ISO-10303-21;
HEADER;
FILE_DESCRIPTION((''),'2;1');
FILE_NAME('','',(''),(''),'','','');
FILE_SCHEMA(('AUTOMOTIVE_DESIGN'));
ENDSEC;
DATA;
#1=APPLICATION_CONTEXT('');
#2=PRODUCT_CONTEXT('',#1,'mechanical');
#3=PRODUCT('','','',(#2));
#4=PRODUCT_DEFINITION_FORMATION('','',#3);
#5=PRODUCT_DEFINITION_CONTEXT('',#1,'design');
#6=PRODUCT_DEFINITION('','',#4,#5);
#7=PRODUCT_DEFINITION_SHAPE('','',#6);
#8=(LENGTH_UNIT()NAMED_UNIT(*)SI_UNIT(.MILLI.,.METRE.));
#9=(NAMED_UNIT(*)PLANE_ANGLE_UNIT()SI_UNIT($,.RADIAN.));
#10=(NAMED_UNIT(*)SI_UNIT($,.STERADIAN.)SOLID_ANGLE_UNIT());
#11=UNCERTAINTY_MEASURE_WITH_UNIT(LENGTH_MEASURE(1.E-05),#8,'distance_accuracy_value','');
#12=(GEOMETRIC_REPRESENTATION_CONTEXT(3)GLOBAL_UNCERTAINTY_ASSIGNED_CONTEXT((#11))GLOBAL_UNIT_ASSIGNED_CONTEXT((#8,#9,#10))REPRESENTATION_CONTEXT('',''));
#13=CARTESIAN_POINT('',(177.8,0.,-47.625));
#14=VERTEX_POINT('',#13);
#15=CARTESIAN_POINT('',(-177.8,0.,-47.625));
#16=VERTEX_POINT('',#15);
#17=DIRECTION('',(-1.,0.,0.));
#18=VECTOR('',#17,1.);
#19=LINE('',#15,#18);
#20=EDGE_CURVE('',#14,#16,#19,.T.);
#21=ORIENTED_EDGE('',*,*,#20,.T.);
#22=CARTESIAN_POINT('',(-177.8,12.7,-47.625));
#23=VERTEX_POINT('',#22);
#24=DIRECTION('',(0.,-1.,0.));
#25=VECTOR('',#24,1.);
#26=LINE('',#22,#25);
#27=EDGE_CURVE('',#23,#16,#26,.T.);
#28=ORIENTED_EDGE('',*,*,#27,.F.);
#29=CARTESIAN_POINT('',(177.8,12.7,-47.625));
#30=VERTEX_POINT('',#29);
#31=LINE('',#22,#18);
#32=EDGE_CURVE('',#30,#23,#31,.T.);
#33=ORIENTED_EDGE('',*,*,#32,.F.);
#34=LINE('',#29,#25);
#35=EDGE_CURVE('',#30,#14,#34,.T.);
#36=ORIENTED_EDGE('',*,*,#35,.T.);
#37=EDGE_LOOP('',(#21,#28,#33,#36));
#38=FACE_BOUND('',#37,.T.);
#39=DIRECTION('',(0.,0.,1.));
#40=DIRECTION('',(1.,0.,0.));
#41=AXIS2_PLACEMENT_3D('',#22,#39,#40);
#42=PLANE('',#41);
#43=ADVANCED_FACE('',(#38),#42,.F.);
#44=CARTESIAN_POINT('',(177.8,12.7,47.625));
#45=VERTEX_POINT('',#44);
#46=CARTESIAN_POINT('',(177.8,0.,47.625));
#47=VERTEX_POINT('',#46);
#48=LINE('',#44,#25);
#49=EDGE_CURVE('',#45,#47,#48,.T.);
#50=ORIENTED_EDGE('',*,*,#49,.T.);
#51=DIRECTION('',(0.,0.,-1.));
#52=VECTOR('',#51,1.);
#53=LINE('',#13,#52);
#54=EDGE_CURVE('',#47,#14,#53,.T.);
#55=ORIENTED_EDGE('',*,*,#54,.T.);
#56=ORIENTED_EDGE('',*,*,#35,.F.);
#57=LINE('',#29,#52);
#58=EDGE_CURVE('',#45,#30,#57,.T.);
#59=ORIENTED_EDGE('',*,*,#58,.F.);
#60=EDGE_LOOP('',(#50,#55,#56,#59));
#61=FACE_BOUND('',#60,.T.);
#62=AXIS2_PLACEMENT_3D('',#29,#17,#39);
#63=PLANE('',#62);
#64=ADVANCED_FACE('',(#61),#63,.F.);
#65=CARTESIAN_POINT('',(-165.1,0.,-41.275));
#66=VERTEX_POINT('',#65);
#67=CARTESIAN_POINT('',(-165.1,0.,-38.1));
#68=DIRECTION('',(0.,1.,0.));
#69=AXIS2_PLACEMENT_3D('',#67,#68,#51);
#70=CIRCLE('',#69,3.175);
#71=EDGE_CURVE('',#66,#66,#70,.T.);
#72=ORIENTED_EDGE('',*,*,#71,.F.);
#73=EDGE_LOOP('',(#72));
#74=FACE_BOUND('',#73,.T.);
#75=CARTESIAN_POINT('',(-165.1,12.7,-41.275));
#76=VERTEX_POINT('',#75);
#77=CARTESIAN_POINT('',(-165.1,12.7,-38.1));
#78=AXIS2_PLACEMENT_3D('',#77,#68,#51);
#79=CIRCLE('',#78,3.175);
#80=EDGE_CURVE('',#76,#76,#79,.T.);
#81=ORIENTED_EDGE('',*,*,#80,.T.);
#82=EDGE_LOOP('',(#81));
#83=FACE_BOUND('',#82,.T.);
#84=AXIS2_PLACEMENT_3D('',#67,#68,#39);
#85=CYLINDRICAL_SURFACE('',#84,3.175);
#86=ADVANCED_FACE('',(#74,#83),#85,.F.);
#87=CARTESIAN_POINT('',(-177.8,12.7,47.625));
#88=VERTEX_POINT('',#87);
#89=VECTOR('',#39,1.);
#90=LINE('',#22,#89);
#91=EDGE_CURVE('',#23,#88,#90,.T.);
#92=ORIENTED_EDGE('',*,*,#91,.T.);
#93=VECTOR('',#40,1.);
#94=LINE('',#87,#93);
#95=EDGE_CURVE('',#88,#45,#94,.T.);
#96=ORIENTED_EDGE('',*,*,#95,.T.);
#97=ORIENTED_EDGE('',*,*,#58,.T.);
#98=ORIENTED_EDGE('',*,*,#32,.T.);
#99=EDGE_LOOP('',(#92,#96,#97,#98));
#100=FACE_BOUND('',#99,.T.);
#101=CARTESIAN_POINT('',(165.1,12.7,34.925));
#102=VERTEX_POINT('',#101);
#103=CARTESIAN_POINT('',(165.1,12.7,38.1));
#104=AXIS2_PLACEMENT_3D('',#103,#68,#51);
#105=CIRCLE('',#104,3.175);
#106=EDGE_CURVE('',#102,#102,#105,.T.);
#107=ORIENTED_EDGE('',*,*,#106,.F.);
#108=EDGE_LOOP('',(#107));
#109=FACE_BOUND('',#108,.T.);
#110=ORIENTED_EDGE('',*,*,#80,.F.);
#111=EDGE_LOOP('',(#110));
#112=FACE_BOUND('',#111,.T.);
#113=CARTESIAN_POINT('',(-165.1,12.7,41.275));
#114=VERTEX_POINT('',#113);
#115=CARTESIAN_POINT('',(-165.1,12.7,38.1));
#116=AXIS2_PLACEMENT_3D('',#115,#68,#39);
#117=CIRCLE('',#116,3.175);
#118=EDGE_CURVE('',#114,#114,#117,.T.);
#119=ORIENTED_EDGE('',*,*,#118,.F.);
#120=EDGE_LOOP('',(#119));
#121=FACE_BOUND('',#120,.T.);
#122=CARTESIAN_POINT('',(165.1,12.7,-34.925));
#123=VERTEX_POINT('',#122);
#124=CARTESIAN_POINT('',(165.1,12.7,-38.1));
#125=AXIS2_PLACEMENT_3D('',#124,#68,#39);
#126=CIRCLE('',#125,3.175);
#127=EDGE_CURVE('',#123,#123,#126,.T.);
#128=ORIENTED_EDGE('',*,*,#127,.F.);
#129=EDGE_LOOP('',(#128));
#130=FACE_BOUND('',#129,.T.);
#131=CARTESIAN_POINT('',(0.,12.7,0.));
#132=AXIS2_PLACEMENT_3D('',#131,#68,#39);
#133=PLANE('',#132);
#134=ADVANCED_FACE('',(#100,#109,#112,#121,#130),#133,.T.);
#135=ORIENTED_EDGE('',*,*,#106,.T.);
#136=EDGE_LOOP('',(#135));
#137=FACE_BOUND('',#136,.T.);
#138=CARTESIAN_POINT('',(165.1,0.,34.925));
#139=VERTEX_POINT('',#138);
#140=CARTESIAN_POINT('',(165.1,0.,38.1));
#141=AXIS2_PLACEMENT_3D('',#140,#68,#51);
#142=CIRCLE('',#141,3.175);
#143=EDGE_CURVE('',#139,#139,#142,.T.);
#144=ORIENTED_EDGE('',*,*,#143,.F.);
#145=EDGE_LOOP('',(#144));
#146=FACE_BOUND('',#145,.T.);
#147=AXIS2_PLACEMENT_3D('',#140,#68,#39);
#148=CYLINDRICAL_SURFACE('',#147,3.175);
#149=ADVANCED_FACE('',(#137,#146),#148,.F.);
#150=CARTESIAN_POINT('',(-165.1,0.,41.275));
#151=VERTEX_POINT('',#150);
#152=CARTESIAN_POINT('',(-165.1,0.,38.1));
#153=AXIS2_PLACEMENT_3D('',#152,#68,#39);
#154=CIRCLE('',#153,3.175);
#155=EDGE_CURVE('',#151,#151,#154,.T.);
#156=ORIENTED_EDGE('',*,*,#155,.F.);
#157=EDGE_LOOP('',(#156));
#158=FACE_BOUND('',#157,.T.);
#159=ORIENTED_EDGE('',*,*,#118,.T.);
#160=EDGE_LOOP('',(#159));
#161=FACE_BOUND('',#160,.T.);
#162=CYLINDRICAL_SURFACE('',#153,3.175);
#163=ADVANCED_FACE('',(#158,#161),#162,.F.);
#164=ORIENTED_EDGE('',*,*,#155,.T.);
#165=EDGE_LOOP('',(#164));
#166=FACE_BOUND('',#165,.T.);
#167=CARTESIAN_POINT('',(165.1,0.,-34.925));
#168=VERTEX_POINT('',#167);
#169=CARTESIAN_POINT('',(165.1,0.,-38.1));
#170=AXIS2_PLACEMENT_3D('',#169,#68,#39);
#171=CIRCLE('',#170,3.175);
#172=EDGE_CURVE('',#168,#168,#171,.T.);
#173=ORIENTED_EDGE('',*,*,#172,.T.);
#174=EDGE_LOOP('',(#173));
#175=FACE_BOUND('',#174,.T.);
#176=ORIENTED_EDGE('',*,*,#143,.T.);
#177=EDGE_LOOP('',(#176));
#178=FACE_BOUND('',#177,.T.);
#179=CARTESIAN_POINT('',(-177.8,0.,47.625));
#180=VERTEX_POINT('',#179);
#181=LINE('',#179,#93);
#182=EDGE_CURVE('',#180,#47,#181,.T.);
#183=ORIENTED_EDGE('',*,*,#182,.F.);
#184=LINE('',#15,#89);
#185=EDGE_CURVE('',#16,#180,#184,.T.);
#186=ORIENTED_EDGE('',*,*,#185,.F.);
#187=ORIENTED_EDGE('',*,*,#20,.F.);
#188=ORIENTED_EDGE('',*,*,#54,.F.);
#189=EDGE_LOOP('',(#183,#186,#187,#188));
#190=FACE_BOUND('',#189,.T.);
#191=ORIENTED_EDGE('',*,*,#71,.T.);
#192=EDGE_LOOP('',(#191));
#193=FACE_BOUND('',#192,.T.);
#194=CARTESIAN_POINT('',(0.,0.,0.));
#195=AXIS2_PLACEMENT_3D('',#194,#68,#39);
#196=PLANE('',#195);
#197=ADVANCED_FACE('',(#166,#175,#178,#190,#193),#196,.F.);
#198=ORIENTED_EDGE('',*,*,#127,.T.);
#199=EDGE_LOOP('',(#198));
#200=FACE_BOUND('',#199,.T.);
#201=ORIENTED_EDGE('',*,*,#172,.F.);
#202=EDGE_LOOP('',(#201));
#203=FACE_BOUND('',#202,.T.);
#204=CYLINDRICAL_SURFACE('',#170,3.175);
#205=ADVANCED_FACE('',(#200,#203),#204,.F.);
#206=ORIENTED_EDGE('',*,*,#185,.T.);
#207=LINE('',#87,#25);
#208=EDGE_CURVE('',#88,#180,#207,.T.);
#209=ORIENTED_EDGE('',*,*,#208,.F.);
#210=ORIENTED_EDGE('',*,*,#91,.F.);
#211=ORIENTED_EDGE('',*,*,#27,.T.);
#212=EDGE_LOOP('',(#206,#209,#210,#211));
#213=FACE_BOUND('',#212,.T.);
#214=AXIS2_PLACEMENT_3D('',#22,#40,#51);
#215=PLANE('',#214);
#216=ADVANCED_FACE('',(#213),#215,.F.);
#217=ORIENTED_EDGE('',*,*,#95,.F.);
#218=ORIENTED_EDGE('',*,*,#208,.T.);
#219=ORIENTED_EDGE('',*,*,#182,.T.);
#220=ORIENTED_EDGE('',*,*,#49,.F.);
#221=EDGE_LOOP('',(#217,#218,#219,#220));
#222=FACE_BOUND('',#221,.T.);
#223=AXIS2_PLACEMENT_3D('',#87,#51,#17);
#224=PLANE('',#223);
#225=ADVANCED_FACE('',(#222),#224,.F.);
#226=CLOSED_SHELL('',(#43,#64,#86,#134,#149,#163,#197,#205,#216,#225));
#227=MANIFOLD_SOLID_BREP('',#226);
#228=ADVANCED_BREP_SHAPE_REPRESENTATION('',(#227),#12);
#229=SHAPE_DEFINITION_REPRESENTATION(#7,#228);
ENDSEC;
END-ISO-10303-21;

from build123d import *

# Parameters (mm, degrees)
SKETCH1_W           = 355.6
SKETCH1_H           = 95.25
BOSS_EXTRUDE1_DEPTH = 12.7
SKETCH2_R           = 3.175
CUT_EXTRUDE1_DEPTH  = 185.505475867


with BuildPart() as part:
    # Sketch1 → Boss-Extrude1 (new body)
    with BuildSketch(Plane(origin=(0, 0, 0), x_dir=(1, 0, 0), z_dir=(0, 1, 0))):
        Rectangle(SKETCH1_W, SKETCH1_H)
    extrude(amount=BOSS_EXTRUDE1_DEPTH)

    # Sketch2 → Cut-Extrude1 (cut, through all)
    with BuildSketch(Plane(origin=(0, 12.7, 0), x_dir=(1, 0, 0), z_dir=(0, 1, 0))):
        with Locations(Location((165.1, 38.1, 0), (0, 0, 270))):
            Circle(SKETCH2_R)
        with Locations(Location((-165.1, 38.1, 0), (0, 0, 90))):
            Circle(SKETCH2_R)
        with Locations(Location((165.1, -38.1, 0), (0, 0, 90))):
            Circle(SKETCH2_R)
        with Locations(Location((-165.1, -38.1, 0), (0, 0, 270))):
            Circle(SKETCH2_R)
    extrude(amount=-CUT_EXTRUDE1_DEPTH, mode=Mode.SUBTRACT)


solid = part.part
